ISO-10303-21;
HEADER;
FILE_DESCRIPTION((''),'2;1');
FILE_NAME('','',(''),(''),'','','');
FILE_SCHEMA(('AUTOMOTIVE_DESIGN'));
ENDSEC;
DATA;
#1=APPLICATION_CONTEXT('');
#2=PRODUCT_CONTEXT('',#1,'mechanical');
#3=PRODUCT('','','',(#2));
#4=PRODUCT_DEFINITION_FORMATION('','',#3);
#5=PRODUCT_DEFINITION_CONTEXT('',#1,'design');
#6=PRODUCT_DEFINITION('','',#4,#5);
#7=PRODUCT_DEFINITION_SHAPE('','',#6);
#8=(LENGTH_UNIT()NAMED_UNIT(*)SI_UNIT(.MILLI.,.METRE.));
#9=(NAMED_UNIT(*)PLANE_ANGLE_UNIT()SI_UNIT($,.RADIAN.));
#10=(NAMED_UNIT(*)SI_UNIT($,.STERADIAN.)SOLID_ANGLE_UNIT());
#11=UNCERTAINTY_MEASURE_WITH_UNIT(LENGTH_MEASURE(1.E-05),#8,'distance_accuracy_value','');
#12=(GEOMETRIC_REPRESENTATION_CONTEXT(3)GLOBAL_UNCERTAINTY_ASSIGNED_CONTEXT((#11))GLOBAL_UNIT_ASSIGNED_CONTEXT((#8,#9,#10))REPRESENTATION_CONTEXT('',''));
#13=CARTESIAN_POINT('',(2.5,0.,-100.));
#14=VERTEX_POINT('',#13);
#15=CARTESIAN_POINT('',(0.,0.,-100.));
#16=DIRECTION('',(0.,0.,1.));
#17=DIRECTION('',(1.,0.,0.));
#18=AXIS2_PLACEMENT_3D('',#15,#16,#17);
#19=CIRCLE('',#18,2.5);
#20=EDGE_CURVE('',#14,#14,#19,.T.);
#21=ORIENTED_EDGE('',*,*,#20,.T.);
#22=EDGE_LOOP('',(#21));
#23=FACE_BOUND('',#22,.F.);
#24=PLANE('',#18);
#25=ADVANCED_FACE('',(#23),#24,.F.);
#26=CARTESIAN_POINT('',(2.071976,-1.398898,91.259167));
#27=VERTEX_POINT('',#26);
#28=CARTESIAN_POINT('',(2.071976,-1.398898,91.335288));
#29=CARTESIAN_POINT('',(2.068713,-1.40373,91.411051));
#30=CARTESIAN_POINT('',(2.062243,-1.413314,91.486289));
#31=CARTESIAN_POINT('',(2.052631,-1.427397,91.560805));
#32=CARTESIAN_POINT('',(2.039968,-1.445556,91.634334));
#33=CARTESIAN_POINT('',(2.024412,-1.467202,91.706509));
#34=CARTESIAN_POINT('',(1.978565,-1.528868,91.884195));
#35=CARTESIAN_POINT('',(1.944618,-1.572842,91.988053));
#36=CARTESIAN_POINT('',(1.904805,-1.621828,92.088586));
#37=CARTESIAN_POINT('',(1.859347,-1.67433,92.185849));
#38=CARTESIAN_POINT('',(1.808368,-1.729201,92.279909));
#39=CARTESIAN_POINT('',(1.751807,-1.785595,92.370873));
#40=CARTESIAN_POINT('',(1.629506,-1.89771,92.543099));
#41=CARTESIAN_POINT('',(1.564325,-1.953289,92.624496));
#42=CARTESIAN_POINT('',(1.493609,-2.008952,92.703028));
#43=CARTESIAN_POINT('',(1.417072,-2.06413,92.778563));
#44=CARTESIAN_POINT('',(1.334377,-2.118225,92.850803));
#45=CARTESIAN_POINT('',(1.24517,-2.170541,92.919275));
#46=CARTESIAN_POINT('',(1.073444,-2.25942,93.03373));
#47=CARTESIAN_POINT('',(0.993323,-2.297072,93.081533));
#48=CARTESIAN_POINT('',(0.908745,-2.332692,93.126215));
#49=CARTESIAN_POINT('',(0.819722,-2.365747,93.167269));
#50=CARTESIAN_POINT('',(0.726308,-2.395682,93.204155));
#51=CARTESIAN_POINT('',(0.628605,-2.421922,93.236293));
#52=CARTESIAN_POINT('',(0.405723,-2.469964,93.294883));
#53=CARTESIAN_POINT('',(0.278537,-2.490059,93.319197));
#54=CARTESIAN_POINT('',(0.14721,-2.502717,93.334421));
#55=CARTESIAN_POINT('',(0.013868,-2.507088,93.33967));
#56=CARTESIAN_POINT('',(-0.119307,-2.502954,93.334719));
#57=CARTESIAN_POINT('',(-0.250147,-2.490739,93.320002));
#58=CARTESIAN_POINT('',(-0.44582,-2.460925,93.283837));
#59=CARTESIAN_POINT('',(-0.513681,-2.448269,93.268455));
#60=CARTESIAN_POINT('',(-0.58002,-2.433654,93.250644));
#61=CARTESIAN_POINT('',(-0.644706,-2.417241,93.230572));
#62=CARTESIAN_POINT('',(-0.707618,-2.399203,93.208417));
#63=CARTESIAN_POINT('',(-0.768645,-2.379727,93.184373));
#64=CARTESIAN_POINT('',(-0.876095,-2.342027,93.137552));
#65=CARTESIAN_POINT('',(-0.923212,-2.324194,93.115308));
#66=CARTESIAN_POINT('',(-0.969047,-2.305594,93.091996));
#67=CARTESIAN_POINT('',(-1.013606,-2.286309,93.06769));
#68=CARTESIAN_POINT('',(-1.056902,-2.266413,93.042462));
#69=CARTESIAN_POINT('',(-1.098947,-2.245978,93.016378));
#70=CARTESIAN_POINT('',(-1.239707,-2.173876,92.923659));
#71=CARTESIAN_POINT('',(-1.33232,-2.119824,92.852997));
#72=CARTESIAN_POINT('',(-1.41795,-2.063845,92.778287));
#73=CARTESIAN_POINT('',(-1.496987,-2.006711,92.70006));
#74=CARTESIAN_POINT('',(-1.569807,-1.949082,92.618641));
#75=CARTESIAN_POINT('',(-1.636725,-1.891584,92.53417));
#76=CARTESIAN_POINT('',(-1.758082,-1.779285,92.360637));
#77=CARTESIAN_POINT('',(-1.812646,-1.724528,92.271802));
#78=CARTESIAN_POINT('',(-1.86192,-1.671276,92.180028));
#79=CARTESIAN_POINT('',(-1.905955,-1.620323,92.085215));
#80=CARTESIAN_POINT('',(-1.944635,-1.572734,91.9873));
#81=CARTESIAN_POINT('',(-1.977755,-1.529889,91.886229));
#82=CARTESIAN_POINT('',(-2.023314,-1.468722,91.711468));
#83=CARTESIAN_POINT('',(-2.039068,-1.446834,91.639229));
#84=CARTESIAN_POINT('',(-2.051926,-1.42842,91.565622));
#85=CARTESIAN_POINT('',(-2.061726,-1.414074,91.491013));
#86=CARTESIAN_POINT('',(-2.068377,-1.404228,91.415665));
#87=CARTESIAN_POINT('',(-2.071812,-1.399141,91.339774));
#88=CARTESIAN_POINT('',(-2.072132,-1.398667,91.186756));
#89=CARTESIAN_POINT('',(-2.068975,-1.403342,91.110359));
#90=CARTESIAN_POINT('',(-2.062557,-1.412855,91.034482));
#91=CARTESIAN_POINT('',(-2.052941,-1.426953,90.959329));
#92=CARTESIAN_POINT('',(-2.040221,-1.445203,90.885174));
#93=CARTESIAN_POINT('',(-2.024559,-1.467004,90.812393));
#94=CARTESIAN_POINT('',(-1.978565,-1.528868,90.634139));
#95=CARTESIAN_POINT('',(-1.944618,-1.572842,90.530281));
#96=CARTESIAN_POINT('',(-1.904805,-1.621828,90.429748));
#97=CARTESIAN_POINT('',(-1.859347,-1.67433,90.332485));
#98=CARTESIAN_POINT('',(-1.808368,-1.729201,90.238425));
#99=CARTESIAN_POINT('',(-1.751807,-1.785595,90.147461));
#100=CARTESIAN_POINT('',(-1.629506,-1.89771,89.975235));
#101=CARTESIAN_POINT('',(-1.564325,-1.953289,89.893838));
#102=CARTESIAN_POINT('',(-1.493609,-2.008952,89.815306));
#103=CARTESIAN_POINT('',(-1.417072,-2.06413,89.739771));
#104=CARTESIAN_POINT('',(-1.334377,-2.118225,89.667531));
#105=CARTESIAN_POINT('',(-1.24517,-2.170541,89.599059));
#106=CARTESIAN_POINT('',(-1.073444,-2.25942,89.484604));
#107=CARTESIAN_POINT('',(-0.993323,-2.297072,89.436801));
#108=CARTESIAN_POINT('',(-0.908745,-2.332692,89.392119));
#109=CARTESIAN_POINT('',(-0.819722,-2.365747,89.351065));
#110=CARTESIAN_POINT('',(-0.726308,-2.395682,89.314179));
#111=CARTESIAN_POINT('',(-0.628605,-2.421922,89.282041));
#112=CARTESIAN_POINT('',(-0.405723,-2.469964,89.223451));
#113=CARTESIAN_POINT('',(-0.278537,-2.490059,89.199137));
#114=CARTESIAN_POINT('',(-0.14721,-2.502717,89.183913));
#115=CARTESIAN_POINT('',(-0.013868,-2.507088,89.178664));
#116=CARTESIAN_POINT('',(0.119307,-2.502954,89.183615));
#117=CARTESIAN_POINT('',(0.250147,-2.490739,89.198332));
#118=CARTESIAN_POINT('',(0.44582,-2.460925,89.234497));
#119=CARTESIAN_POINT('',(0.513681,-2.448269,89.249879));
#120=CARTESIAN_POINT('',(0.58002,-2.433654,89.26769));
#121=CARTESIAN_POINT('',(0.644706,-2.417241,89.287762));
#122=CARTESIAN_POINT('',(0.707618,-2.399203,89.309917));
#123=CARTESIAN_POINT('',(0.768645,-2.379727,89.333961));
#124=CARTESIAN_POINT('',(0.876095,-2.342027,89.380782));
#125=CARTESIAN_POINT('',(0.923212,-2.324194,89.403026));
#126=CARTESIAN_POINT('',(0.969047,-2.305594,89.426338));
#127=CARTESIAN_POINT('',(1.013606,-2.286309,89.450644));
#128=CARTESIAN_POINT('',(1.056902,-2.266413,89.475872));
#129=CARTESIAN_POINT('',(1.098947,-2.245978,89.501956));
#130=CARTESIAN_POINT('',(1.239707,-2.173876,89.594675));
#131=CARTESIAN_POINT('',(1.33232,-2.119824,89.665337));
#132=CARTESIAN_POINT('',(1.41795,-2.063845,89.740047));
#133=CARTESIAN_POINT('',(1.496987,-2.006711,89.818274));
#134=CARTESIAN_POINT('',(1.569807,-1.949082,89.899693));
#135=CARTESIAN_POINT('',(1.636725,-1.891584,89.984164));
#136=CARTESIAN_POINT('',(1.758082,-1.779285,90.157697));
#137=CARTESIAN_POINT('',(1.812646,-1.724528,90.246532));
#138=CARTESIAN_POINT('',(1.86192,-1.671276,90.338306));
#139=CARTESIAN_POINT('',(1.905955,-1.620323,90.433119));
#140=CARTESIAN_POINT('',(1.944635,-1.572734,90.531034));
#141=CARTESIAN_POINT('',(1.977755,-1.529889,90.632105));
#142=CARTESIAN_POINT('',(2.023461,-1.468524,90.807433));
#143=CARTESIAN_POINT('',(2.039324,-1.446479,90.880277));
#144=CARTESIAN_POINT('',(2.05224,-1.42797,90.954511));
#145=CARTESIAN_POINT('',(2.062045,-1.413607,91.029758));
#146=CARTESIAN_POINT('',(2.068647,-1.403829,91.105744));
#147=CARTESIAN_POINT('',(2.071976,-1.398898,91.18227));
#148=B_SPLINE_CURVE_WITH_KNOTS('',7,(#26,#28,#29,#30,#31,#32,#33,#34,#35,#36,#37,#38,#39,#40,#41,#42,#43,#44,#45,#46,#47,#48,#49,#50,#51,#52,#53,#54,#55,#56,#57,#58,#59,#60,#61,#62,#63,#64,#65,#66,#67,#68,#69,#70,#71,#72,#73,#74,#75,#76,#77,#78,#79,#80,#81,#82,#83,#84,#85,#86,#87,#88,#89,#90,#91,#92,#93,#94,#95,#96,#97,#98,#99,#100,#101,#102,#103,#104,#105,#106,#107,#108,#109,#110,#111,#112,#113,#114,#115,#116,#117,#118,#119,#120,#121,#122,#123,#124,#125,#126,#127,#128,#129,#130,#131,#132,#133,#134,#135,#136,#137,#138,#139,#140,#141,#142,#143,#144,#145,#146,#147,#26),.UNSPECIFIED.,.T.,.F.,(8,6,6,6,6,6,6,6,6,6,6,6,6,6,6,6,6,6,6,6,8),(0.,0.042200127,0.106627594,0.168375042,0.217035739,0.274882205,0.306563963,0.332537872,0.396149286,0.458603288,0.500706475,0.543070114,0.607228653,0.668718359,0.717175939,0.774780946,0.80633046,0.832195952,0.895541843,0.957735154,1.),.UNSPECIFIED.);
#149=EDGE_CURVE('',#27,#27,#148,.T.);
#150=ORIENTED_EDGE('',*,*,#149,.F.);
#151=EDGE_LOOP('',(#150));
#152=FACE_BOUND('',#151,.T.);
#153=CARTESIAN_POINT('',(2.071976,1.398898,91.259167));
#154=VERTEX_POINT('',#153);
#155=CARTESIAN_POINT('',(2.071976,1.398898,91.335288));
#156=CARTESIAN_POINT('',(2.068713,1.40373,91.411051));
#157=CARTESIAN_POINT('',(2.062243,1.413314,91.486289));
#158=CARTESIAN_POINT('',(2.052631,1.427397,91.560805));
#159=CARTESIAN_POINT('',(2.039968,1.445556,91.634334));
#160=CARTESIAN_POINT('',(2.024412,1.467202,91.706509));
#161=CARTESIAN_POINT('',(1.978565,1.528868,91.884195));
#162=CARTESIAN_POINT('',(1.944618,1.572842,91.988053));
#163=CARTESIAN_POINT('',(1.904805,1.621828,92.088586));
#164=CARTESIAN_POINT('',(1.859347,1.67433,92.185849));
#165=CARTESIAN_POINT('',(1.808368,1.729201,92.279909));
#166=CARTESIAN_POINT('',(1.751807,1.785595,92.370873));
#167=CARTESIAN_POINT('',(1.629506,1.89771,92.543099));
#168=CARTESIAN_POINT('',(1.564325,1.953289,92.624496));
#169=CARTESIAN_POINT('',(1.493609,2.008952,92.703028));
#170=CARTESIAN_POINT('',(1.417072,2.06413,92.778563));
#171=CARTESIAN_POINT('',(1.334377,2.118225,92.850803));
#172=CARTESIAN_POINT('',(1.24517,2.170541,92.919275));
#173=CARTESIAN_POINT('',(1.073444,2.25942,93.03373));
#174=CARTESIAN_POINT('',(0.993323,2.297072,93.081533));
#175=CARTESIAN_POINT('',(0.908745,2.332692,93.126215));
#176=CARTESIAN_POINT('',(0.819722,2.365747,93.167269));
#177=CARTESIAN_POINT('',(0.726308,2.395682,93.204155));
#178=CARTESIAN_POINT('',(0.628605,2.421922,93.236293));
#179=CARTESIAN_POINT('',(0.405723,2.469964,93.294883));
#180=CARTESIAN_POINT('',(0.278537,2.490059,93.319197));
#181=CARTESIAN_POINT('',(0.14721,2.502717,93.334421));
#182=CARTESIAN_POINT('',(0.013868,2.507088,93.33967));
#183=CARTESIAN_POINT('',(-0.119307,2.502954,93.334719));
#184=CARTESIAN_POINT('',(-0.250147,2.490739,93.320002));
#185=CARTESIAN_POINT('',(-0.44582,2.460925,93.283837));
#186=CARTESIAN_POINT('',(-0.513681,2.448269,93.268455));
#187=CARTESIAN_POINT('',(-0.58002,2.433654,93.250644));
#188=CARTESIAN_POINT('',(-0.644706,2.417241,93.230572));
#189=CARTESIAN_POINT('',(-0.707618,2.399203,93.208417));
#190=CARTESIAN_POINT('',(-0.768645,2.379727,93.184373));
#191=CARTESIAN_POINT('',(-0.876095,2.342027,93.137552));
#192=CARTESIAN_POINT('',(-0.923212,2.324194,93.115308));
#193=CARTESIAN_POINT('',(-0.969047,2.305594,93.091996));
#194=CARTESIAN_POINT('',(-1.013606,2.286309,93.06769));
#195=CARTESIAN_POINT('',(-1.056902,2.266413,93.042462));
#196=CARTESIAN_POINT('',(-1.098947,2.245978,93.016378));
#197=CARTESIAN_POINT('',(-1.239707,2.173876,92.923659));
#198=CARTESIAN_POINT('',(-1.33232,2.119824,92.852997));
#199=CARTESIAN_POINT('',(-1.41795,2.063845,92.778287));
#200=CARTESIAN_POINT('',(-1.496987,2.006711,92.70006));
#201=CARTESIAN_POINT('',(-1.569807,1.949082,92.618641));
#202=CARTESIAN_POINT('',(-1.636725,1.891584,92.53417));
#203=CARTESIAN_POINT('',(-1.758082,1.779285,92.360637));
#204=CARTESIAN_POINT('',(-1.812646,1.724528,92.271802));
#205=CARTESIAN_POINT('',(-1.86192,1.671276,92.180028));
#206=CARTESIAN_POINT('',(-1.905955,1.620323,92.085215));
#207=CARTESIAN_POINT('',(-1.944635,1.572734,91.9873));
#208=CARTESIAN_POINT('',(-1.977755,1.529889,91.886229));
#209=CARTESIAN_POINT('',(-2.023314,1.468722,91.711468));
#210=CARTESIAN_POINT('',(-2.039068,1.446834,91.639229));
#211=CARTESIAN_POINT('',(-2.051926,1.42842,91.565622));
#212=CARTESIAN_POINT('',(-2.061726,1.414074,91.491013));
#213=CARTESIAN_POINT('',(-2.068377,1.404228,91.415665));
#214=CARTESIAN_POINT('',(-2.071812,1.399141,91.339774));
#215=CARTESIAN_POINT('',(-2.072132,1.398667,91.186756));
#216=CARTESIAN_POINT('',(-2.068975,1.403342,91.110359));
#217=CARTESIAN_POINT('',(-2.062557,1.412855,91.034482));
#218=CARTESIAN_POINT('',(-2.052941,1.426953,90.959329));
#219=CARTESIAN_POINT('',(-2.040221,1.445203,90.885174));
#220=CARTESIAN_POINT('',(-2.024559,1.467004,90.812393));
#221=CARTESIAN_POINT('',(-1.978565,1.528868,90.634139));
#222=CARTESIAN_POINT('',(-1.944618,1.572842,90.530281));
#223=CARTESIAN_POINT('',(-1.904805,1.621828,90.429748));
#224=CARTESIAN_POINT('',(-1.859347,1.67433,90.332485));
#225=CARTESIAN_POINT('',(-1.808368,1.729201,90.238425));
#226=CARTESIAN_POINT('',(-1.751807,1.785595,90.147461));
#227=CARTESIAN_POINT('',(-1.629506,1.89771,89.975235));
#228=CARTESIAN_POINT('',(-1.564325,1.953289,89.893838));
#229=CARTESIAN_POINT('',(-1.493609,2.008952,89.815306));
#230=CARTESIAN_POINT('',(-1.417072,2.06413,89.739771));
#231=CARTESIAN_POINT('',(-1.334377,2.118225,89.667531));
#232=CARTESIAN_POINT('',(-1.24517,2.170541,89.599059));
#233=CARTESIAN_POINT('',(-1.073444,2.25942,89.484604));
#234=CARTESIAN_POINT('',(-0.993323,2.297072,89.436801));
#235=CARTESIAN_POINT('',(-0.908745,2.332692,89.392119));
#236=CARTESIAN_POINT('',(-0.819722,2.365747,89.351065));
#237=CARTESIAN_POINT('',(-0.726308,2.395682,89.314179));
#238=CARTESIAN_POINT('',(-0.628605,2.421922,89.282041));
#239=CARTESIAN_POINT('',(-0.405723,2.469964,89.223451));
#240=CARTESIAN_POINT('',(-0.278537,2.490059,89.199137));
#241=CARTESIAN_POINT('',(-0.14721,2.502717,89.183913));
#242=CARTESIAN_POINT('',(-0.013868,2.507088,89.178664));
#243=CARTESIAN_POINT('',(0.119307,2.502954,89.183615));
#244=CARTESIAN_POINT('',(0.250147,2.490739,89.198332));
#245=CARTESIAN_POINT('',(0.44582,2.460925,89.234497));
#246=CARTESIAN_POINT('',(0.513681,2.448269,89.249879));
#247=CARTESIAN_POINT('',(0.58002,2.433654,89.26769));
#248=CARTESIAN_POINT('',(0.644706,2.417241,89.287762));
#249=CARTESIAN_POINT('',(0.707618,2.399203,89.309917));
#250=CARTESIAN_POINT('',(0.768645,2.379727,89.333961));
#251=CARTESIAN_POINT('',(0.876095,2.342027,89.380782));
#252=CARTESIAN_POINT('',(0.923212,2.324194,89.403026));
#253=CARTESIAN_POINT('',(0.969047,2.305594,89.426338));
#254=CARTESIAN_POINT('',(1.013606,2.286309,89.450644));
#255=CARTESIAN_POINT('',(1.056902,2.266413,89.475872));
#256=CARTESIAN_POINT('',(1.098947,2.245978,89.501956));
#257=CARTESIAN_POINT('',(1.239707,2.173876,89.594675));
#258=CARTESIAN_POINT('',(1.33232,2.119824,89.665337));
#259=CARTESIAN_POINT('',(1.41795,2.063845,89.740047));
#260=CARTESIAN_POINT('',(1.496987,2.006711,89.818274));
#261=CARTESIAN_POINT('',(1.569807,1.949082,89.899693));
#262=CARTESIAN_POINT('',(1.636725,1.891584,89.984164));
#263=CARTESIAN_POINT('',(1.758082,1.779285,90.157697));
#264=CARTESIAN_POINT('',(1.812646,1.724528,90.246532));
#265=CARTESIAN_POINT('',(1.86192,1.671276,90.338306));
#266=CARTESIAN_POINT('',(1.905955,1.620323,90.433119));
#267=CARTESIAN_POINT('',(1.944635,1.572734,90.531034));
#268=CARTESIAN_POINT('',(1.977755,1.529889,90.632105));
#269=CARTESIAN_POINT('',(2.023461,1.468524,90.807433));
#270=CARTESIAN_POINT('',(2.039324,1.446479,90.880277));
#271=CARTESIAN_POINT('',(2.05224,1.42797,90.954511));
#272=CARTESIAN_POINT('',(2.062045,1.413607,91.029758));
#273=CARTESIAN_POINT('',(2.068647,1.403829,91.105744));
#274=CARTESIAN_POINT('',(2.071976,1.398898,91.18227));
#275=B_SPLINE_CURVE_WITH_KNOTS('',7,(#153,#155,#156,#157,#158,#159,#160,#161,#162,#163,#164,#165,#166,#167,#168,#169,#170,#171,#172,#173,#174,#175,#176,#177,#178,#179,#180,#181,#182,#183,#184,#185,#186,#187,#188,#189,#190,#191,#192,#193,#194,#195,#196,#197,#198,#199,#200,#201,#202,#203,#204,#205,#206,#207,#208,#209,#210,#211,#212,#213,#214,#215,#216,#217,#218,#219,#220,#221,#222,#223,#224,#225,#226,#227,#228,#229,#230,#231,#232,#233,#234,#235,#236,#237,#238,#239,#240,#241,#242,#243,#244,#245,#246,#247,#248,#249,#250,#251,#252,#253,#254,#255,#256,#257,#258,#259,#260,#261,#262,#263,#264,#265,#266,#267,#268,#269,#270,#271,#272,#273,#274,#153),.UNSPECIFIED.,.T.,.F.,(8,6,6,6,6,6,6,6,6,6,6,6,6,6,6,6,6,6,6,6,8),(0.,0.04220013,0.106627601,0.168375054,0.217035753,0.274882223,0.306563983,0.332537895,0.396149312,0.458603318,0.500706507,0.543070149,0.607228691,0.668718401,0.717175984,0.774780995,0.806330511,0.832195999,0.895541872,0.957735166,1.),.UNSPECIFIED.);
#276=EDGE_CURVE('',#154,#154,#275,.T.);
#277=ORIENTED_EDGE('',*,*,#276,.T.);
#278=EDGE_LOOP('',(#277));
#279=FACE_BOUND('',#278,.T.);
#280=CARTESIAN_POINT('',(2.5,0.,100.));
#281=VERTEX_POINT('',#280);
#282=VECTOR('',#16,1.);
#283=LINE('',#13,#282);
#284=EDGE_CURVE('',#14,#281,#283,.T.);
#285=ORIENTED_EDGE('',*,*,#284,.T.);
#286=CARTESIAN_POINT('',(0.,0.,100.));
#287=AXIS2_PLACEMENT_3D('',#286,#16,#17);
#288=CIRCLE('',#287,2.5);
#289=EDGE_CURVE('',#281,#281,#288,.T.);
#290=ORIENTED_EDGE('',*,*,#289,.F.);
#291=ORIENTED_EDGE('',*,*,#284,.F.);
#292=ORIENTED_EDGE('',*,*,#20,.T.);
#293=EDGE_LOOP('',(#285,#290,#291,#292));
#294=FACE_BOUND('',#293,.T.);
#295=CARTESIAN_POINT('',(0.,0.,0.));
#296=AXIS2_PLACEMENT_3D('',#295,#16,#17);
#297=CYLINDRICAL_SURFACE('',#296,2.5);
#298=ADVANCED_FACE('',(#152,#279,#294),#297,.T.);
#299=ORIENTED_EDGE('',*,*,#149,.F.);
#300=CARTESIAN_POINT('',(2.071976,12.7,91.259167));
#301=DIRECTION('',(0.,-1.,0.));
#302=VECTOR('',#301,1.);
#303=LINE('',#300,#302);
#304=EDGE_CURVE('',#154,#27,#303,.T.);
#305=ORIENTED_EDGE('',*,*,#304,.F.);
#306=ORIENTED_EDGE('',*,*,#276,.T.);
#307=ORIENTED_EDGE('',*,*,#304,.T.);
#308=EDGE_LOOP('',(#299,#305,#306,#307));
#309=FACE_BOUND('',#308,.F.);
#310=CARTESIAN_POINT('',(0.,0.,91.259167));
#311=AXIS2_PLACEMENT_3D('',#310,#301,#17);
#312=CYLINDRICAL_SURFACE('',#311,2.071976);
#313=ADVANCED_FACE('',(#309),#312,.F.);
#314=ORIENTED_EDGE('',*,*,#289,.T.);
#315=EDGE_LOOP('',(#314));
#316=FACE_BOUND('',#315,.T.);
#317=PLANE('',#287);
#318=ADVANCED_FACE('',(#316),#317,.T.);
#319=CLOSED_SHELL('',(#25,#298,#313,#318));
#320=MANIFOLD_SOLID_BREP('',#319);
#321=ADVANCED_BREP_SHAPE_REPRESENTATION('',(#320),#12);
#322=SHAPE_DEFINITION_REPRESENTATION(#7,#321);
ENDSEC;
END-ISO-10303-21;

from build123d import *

# Parameters (mm, degrees)
F0_R     = 2.5
F1_DEPTH = 100
F2_R     = 2.071976
F3_DEPTH = 12.7


with BuildPart() as f1:
    # F0 (on Top) → F1 (new body, symmetric)
    with BuildSketch(Plane.XY):
        Circle(F0_R)
    extrude(amount=F1_DEPTH, both=True)

    # F2 (on Front) → F3 (cut, symmetric)
    with BuildSketch(Plane.XZ):
        with Locations((0, 91.259167)):
            Circle(F2_R)
    extrude(amount=F3_DEPTH, both=True, mode=Mode.SUBTRACT)


solid = f1.part
